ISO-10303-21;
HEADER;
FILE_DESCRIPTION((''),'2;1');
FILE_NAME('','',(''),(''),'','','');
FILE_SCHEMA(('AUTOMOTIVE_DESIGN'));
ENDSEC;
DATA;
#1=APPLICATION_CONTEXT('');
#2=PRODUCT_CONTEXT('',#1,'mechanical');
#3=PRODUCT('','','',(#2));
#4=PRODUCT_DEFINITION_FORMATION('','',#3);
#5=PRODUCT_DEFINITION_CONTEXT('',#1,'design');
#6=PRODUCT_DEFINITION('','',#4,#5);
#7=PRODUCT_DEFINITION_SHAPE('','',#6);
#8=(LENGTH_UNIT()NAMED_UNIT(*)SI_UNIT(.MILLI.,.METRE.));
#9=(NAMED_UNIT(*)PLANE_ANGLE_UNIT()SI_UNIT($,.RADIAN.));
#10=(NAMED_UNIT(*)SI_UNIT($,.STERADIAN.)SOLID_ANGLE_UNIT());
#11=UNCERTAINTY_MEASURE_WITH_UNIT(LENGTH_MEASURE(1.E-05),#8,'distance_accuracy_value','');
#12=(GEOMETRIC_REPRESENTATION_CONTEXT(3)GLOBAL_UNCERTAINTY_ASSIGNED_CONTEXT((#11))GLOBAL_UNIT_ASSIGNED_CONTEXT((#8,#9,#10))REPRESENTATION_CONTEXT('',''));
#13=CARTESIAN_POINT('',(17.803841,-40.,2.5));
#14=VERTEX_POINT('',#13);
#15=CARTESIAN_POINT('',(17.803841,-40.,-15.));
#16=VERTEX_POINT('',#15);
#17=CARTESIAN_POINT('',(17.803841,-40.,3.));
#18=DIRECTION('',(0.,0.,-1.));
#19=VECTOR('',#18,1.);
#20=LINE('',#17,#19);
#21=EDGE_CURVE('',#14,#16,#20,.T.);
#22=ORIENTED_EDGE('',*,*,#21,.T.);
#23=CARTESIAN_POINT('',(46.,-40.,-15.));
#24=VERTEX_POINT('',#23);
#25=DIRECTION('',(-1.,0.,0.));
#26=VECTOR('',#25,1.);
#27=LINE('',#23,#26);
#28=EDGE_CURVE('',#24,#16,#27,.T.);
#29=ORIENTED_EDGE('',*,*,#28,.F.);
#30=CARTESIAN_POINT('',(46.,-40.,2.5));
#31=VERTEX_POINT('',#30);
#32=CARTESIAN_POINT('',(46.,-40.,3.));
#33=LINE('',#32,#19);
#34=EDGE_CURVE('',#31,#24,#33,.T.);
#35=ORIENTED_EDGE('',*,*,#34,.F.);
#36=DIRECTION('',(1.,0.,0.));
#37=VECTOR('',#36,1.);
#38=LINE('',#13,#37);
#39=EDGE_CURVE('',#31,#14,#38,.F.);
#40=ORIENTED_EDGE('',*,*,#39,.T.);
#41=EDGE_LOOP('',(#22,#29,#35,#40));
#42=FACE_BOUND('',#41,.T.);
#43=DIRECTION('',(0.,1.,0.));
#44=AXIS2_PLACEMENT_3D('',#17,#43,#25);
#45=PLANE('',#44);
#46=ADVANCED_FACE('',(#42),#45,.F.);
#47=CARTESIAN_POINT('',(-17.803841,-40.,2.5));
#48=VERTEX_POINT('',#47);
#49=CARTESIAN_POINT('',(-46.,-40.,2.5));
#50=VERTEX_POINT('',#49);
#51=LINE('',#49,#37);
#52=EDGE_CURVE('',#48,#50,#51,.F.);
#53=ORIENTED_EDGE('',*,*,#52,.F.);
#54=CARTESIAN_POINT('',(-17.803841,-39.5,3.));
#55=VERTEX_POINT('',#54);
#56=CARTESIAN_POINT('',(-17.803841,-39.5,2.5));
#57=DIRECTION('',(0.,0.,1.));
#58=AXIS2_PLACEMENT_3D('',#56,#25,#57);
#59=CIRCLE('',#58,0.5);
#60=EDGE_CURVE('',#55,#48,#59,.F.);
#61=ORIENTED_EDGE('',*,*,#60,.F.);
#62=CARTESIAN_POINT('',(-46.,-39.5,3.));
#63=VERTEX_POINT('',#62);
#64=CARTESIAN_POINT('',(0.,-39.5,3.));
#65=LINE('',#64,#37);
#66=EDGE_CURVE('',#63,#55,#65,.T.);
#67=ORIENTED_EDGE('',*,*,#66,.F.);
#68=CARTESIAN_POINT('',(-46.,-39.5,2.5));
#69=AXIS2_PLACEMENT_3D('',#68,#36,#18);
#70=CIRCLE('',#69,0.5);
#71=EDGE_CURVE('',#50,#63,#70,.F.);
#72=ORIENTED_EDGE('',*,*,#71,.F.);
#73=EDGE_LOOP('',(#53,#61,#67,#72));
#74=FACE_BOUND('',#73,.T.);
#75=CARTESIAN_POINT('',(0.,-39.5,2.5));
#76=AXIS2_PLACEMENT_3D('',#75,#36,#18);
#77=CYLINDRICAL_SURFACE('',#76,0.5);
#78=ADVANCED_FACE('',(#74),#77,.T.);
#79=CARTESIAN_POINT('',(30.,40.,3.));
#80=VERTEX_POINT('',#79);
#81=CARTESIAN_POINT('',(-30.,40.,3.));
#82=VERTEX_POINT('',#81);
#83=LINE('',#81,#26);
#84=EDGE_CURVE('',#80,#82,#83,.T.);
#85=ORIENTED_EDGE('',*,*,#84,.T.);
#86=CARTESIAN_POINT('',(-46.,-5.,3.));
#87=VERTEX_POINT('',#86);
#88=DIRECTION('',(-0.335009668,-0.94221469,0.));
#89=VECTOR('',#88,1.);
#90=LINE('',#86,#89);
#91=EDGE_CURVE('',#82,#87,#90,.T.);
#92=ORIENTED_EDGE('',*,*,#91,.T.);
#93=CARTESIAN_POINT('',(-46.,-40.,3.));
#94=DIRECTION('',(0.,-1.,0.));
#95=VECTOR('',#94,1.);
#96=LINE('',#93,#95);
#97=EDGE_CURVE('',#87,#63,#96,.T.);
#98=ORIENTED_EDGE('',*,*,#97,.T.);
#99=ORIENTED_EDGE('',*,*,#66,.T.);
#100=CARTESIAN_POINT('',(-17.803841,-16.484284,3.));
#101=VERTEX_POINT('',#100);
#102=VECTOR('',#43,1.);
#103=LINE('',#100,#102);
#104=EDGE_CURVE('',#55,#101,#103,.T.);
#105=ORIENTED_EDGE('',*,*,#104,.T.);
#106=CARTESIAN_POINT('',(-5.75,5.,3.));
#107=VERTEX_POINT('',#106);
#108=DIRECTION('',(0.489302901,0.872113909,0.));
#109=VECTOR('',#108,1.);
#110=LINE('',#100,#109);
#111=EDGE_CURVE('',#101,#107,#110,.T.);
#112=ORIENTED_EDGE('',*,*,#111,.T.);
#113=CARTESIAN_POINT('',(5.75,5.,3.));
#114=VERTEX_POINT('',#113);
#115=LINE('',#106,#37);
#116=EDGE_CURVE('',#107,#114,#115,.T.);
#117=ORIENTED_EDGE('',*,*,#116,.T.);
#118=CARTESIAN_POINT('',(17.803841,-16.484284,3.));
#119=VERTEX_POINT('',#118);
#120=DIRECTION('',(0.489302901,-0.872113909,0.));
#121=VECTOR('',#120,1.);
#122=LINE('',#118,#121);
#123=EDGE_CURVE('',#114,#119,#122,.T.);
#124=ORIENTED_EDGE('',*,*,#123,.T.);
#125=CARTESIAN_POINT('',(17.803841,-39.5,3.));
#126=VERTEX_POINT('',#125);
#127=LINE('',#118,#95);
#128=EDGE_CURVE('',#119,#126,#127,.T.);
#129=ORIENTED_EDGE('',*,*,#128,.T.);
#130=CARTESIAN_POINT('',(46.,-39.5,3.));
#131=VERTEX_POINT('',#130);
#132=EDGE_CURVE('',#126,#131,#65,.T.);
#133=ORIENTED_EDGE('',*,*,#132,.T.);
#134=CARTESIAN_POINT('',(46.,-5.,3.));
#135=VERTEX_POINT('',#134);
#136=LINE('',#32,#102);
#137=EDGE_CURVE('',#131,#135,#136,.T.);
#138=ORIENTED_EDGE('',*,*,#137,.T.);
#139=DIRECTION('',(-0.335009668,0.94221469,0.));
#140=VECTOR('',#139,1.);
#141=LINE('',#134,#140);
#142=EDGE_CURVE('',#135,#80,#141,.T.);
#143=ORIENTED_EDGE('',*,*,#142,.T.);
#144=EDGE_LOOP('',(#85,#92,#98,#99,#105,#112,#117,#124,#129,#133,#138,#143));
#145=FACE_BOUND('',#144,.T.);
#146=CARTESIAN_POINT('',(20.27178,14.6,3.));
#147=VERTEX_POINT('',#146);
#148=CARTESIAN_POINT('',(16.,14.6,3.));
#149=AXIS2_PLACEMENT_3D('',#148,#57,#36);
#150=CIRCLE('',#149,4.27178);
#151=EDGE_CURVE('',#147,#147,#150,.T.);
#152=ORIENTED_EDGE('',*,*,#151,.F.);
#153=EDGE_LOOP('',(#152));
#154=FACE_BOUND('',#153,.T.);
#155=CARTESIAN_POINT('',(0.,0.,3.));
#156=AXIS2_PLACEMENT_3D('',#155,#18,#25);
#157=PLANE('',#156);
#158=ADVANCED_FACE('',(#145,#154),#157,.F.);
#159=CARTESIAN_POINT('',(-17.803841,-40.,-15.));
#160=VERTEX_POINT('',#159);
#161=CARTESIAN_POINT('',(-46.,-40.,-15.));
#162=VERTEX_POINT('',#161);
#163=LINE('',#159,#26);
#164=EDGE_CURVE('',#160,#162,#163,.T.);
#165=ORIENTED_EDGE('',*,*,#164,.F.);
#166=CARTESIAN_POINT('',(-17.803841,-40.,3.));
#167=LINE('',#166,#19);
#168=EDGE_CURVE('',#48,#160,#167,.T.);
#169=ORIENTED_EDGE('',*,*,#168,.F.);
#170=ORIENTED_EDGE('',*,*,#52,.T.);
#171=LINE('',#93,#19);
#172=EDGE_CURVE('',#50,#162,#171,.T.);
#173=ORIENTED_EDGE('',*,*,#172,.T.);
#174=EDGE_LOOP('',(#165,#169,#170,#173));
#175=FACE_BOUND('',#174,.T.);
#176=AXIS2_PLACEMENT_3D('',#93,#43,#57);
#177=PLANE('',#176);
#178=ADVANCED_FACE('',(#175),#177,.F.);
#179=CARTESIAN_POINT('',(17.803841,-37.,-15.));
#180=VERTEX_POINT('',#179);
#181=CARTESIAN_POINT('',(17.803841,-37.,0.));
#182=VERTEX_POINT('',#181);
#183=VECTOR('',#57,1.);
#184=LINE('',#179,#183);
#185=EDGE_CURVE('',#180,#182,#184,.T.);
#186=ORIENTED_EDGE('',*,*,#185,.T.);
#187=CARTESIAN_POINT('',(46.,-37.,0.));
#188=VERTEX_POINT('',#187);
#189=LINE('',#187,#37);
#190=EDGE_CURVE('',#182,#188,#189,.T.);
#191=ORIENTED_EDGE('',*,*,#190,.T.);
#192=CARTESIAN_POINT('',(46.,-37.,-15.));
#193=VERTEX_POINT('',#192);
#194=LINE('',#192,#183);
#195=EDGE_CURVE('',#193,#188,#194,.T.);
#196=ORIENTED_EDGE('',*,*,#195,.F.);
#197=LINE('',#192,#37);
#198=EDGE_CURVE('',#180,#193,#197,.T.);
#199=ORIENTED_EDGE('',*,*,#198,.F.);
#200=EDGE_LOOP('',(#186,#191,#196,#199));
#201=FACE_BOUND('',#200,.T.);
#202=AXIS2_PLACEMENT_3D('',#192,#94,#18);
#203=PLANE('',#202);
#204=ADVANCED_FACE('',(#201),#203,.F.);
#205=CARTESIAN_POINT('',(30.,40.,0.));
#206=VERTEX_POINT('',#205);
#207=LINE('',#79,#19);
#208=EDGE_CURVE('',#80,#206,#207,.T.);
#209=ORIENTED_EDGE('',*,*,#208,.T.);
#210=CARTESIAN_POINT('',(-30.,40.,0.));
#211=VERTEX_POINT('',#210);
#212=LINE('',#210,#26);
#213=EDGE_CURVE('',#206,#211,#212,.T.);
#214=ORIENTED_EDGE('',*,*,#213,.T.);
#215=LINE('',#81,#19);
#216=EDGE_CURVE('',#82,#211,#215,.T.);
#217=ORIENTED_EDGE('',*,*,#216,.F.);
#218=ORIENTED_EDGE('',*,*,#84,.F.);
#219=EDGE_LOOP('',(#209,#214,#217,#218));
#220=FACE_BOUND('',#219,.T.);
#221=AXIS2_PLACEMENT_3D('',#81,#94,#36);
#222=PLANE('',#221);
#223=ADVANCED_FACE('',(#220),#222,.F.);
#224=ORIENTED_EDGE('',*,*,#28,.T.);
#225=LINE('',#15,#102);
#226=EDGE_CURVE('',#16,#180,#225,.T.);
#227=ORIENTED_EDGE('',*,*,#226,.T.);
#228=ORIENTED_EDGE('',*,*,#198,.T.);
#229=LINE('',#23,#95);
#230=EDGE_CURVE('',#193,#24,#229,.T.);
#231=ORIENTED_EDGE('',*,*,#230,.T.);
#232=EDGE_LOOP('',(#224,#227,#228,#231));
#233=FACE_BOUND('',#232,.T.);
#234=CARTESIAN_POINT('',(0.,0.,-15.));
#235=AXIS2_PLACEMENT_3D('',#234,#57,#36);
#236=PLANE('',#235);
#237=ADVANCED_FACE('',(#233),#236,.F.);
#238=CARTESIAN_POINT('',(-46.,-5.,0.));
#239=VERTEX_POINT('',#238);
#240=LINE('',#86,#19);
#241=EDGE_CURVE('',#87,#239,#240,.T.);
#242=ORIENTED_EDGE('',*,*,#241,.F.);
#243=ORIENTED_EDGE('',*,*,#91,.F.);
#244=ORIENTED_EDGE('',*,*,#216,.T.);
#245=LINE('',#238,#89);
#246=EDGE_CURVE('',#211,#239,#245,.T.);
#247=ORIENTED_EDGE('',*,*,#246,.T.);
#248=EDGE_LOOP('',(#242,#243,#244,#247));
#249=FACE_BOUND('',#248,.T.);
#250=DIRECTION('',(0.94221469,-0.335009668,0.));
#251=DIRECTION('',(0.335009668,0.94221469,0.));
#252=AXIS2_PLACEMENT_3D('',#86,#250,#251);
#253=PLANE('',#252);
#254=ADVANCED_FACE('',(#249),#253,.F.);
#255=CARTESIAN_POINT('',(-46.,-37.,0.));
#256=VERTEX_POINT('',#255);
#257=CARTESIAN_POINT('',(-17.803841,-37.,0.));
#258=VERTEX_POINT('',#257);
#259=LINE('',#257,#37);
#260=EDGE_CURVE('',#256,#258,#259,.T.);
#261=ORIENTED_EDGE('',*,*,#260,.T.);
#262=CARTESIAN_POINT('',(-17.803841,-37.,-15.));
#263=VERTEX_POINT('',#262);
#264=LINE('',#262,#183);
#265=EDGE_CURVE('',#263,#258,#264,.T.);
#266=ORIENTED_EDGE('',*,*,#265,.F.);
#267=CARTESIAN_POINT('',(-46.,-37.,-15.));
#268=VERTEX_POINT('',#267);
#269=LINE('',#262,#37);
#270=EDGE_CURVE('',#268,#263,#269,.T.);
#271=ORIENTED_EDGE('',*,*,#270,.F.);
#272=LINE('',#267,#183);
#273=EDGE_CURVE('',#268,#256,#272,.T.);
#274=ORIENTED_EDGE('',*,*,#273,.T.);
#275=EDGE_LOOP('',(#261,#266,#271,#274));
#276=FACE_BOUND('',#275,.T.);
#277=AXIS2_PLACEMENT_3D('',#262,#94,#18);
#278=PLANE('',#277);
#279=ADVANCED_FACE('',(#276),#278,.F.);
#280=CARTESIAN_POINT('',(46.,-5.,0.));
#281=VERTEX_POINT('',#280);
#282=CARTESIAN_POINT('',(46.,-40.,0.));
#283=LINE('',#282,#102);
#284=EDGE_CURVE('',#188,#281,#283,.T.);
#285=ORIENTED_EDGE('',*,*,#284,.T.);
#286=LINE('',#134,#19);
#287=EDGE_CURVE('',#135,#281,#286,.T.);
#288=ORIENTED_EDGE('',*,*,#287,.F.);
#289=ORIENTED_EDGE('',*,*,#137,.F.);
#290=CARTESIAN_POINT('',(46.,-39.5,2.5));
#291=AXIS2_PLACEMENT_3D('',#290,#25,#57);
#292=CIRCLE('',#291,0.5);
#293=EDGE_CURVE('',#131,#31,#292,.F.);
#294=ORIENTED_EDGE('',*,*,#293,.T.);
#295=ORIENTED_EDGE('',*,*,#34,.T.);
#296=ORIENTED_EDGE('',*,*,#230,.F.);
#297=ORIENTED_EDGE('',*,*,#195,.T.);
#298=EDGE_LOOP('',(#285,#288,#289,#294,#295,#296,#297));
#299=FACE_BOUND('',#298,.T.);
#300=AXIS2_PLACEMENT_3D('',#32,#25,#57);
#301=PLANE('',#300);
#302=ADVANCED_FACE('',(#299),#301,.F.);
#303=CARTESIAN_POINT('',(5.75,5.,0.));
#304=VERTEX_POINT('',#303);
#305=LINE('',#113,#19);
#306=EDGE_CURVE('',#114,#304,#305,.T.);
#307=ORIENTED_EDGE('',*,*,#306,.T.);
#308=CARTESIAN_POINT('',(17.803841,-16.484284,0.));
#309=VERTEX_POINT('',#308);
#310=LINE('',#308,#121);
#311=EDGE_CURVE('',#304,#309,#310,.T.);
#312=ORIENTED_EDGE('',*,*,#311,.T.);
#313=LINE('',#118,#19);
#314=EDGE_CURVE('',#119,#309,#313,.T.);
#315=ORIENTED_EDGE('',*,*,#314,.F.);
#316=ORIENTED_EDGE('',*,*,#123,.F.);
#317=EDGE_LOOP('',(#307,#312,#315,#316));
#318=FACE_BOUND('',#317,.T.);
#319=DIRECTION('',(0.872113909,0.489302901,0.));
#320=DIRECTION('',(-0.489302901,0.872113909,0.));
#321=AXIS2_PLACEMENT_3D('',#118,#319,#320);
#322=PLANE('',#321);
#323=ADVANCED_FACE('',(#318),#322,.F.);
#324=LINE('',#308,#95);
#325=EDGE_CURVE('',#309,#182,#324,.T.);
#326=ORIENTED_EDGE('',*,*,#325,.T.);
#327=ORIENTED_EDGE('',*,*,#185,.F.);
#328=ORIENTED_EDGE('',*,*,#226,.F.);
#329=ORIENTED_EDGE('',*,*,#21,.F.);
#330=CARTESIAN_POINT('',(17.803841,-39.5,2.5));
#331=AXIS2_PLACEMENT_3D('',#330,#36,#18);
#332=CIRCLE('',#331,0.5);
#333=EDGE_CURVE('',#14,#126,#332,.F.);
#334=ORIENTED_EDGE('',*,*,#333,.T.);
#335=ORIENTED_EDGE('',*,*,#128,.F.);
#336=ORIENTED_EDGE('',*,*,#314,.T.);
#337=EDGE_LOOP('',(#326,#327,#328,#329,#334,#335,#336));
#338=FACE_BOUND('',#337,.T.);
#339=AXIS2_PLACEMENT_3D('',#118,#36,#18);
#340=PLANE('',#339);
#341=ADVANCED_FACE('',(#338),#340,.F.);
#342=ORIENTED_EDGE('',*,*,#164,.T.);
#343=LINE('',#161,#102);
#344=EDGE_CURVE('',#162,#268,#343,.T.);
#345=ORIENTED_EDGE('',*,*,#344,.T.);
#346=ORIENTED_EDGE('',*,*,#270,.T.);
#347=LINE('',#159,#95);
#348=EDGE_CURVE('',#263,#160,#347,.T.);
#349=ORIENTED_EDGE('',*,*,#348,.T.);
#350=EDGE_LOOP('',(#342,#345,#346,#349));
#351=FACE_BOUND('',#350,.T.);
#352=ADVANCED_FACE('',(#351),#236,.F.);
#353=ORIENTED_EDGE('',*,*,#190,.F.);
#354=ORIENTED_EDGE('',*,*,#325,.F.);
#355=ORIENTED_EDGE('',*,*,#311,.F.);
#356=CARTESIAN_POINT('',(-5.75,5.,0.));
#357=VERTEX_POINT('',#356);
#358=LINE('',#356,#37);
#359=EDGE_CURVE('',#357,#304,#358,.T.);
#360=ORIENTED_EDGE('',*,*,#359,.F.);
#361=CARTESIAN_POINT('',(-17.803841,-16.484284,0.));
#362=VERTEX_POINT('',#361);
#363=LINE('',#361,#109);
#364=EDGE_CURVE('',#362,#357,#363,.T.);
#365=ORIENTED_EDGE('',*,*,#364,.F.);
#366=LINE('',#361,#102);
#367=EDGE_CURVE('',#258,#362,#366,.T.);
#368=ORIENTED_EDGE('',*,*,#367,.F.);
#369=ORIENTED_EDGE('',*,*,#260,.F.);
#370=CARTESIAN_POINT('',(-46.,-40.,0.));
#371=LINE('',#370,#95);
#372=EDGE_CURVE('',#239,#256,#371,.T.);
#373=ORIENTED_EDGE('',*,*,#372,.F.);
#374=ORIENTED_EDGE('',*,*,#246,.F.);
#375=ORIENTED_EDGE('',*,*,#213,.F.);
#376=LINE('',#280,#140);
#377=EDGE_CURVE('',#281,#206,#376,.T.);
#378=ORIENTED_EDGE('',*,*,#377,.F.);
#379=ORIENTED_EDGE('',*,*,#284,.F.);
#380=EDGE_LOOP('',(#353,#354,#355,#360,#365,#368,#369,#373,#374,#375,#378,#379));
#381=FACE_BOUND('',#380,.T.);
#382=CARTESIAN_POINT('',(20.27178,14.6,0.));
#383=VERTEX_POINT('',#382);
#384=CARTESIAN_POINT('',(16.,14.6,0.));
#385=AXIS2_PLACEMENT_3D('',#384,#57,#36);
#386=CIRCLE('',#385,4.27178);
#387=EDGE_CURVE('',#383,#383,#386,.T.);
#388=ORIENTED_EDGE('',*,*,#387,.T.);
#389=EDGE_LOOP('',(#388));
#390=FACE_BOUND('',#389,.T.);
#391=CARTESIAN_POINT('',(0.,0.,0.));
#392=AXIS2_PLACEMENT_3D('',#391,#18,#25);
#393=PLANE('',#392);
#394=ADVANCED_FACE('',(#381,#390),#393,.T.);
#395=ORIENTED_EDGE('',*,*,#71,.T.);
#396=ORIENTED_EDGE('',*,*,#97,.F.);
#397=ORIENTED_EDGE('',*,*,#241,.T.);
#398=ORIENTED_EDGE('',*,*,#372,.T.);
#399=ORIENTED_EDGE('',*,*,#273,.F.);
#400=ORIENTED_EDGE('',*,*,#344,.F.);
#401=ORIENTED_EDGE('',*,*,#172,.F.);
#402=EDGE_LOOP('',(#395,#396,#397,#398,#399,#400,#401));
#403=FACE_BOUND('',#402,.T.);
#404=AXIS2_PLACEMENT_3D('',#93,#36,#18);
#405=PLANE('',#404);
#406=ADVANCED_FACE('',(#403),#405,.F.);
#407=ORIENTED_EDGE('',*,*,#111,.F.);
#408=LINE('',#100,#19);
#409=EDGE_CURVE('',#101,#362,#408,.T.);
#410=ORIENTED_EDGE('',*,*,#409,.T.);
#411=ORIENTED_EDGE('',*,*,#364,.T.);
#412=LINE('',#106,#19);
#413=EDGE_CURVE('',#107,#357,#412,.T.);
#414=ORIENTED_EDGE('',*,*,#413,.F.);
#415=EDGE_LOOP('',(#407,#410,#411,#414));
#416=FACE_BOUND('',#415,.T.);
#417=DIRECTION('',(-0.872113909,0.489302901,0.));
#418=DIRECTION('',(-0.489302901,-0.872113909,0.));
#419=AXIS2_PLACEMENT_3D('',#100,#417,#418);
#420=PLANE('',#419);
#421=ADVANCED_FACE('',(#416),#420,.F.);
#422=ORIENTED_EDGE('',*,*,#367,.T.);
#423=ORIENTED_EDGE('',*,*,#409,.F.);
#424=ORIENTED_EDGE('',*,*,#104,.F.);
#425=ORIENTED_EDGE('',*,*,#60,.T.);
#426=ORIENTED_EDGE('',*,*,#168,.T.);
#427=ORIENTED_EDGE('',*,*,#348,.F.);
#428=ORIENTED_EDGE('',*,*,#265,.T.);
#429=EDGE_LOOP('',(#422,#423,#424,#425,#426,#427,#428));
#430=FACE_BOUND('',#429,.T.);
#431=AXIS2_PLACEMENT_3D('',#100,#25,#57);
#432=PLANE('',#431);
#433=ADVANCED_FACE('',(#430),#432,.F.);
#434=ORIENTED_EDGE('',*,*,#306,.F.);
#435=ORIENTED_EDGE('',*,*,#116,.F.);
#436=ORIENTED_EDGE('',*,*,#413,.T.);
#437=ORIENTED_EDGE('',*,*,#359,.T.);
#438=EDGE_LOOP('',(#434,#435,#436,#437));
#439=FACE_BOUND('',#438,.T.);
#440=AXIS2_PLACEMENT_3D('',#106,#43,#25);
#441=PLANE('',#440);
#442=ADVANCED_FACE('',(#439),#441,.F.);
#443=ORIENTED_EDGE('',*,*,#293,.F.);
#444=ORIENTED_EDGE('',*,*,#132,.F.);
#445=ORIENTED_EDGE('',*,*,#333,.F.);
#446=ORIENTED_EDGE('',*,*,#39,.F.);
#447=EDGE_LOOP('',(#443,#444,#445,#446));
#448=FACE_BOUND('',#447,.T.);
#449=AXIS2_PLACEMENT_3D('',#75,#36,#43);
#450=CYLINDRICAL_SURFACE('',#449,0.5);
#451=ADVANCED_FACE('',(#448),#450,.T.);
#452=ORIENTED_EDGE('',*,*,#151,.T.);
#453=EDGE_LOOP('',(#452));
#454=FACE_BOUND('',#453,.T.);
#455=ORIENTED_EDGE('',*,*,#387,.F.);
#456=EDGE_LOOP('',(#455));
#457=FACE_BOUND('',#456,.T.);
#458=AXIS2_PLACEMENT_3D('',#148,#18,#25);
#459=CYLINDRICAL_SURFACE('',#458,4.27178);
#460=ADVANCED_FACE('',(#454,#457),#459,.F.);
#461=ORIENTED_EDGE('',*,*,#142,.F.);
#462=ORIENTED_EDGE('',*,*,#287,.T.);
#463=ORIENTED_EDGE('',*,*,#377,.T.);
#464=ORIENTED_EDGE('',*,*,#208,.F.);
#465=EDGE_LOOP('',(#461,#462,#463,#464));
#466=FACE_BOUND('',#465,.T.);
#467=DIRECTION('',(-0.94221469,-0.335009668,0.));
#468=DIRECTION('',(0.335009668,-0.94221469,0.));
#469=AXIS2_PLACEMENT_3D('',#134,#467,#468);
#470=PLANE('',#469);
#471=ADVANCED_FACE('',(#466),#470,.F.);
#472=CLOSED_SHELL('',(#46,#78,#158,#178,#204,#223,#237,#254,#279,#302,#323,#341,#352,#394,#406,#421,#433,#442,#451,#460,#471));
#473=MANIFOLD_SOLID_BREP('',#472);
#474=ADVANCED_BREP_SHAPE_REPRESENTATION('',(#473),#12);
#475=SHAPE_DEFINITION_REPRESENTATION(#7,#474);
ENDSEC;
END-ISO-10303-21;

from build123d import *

# Parameters (mm, degrees)
CROQUIS1_R              = 4.271780476
SALIENTE_EXTRUIR1_DEPTH = 3
CROQUIS2_W              = 28.196158727
CROQUIS2_H              = 3
SALIENTE_EXTRUIR2_DEPTH = 15
REDONDEO1_R             = 0.5


with BuildPart() as part:
    # Croquis1 → Saliente-Extruir1 (new body)
    with BuildSketch(Plane.XY):
        Polygon((-46, -40), (-46, -5), (-30, 40), (30, 40), (46, -5), (46, -40), (17.803841273, -40), (17.803841273, -16.484284277), (5.75, 5), (-5.75, 5), (-17.803841273, -16.484284277), (-17.803841273, -40), align=None)
        with Locations((16, 14.6)):
            Circle(CROQUIS1_R, mode=Mode.SUBTRACT)
    extrude(amount=SALIENTE_EXTRUIR1_DEPTH)

    # Croquis2 → Saliente-Extruir2 (add)
    with BuildSketch(Plane(origin=(0, 0, 0), x_dir=(-1, 0, 0), z_dir=(0, 0, -1))):
        with Locations((-31.901920637, -38.5)):
            Rectangle(CROQUIS2_W, CROQUIS2_H)
        with Locations((31.901920637, -38.5)):
            Rectangle(CROQUIS2_W, CROQUIS2_H)
    extrude(amount=SALIENTE_EXTRUIR2_DEPTH)

    # Redondeo1
    redondeo1_edges = [part.edges().sort_by_distance(p)[0] for p in [
        (-31.901920636, -40, 3),
        (31.901920636, -40, 3),
    ]]
    fillet(redondeo1_edges, radius=REDONDEO1_R)


solid = part.part
